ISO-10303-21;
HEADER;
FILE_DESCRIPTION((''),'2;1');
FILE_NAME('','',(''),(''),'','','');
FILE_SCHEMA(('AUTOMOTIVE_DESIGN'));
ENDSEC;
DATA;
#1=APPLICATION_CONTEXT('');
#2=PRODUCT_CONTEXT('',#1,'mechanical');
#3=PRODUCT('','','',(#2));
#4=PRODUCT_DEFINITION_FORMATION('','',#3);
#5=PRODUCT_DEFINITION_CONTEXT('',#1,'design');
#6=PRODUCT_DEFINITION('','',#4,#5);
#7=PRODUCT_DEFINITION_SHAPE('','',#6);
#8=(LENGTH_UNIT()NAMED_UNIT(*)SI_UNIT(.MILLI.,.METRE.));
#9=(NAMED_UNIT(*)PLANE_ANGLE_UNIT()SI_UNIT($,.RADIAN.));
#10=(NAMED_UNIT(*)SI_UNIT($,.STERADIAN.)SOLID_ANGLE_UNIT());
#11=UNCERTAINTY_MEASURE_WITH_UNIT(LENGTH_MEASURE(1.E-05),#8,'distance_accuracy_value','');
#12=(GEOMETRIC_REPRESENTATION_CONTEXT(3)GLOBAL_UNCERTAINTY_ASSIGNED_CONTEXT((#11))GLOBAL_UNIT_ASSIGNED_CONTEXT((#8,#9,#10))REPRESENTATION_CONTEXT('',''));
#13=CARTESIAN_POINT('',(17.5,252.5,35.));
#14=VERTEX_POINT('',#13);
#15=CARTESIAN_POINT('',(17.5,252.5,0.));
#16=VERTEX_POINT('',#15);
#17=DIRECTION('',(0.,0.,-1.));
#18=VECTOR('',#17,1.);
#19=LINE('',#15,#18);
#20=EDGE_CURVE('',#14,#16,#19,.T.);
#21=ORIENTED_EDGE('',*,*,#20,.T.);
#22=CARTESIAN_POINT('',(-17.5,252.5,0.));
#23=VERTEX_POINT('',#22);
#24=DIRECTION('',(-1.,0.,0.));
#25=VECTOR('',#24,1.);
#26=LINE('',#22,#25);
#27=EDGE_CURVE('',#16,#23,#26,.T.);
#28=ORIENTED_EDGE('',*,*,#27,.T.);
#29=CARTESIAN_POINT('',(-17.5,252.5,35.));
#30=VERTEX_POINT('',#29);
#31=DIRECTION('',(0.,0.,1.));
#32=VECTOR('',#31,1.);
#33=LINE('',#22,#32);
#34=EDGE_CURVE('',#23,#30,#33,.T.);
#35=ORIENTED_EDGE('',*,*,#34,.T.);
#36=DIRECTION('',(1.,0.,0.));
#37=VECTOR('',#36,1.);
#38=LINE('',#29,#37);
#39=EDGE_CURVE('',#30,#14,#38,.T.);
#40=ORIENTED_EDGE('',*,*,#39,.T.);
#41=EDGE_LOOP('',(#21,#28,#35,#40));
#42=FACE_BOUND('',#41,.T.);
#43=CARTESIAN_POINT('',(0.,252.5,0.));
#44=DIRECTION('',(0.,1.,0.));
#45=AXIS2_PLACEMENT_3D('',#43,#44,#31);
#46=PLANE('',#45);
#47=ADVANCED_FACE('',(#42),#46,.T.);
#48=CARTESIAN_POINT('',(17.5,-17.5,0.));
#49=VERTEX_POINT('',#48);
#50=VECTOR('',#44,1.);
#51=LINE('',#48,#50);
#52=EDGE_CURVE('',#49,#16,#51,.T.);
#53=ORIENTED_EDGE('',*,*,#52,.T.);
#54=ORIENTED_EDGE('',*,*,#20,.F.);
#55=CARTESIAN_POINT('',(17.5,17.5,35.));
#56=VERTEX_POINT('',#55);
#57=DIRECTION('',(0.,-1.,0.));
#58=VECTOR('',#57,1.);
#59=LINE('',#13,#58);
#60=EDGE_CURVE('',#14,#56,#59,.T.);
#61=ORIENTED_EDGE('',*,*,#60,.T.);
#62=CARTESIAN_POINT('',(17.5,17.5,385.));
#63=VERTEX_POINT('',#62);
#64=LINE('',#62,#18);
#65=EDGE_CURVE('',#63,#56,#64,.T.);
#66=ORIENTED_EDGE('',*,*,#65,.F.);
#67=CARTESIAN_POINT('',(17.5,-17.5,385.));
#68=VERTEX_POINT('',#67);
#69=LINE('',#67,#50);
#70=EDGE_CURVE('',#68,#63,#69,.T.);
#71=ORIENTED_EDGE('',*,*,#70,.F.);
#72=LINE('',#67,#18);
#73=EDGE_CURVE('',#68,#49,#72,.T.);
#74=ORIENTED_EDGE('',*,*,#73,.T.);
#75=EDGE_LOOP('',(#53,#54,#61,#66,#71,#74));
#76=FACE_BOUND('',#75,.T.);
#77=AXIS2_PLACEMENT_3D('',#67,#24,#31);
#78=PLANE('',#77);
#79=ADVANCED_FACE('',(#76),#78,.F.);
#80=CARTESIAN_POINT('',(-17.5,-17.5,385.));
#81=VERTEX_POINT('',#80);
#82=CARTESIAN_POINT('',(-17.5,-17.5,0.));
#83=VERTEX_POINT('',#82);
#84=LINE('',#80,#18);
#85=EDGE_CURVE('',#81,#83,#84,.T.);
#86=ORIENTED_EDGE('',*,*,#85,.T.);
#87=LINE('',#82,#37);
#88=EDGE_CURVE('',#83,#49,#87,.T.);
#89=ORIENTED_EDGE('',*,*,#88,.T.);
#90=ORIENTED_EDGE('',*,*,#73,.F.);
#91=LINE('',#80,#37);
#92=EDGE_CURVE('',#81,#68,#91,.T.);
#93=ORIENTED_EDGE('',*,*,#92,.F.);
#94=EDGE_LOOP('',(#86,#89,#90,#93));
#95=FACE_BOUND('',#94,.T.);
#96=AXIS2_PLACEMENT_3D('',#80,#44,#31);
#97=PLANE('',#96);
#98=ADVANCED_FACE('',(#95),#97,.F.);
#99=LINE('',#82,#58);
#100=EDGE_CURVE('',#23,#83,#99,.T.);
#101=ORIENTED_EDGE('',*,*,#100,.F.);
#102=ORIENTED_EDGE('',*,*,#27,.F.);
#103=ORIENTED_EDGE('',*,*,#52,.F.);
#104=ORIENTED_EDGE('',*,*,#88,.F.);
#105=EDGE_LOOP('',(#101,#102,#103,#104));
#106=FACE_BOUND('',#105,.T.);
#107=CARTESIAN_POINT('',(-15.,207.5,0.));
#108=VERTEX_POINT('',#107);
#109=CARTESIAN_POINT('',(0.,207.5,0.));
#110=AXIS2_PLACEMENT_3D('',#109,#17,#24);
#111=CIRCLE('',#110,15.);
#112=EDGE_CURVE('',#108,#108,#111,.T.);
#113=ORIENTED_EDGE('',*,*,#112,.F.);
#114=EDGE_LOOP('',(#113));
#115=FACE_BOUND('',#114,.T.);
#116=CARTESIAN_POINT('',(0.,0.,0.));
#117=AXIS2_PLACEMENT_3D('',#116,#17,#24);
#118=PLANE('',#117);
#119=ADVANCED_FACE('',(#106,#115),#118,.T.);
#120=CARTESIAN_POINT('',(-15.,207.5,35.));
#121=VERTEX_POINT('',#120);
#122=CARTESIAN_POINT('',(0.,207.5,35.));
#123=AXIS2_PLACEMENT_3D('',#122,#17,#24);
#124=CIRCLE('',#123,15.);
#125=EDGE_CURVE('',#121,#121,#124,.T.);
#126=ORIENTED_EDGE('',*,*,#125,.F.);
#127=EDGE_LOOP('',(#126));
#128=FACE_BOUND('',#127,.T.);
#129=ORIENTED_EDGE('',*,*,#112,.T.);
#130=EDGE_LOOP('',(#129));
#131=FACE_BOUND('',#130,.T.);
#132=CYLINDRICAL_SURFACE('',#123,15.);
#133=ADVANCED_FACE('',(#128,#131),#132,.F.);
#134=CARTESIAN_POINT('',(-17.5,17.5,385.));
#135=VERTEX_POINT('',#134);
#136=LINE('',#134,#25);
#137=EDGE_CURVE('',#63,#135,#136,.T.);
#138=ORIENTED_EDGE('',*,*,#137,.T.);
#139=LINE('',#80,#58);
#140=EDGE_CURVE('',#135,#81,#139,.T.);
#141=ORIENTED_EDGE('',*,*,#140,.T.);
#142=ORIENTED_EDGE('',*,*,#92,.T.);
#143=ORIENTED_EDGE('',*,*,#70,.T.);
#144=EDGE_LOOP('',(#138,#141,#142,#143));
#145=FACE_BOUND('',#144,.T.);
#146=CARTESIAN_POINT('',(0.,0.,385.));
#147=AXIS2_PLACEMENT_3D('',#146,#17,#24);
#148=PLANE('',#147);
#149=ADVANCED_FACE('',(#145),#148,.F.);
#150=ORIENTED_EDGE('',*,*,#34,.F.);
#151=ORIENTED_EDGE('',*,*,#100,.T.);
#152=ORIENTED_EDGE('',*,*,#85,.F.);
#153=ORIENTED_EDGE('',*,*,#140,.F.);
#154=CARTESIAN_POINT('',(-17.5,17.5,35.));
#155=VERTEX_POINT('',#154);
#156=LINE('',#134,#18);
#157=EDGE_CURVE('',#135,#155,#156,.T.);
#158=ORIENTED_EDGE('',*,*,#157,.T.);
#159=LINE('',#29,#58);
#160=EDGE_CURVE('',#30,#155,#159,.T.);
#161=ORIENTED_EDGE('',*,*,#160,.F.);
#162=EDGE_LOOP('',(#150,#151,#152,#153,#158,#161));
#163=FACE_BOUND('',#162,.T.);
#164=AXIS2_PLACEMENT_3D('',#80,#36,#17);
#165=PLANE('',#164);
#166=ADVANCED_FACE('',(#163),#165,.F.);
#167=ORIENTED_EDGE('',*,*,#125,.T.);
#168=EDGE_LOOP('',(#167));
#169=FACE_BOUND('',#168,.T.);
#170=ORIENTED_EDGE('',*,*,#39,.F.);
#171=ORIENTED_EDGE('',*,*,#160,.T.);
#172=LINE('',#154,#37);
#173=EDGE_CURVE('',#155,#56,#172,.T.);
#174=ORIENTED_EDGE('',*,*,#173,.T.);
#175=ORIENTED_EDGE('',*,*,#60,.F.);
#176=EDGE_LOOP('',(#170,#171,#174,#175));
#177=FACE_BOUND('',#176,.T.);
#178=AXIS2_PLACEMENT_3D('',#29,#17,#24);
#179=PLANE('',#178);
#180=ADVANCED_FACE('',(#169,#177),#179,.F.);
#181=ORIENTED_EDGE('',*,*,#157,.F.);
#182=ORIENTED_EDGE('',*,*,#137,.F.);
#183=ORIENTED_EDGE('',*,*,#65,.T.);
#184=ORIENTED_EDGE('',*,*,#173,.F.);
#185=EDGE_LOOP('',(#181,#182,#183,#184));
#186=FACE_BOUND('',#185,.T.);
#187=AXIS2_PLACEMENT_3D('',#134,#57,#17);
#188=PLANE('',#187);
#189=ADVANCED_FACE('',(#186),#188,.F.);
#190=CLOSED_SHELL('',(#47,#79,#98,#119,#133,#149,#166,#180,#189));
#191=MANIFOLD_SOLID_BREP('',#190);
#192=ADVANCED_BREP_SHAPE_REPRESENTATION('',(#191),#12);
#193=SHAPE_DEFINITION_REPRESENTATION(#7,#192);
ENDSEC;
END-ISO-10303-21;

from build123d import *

# Parameters (mm, degrees)
CROQUIS1_W              = 35
CROQUIS1_H              = 35
SALIENTE_EXTRUIR1_DEPTH = 385
CROQUIS2_W              = 35
CROQUIS2_H              = 35
SALIENTE_EXTRUIR2_DEPTH = 235
CROQUIS3_R              = 15
CORTAR_EXTRUIR1_DEPTH   = 35


with BuildPart() as part:
    # Croquis1 → Saliente-Extruir1 (new body)
    with BuildSketch(Plane.XY):
        Rectangle(CROQUIS1_W, CROQUIS1_H)
    extrude(amount=SALIENTE_EXTRUIR1_DEPTH)

    # Croquis2 → Saliente-Extruir2 (add)
    with BuildSketch(Plane(origin=(0, 17.5, 0), x_dir=(1, 0, 0), z_dir=(0, 1, 0))):
        with Locations((0, -17.5)):
            Rectangle(CROQUIS2_W, CROQUIS2_H)
    extrude(amount=SALIENTE_EXTRUIR2_DEPTH)

    # Croquis3 → Cortar-Extruir1 (cut)
    with BuildSketch(Plane(origin=(0, 0, 0), x_dir=(-1, 0, 0), z_dir=(0, 0, -1))):
        with Locations((0, 207.5)):
            Circle(CROQUIS3_R)
    extrude(amount=-CORTAR_EXTRUIR1_DEPTH, mode=Mode.SUBTRACT)


solid = part.part
